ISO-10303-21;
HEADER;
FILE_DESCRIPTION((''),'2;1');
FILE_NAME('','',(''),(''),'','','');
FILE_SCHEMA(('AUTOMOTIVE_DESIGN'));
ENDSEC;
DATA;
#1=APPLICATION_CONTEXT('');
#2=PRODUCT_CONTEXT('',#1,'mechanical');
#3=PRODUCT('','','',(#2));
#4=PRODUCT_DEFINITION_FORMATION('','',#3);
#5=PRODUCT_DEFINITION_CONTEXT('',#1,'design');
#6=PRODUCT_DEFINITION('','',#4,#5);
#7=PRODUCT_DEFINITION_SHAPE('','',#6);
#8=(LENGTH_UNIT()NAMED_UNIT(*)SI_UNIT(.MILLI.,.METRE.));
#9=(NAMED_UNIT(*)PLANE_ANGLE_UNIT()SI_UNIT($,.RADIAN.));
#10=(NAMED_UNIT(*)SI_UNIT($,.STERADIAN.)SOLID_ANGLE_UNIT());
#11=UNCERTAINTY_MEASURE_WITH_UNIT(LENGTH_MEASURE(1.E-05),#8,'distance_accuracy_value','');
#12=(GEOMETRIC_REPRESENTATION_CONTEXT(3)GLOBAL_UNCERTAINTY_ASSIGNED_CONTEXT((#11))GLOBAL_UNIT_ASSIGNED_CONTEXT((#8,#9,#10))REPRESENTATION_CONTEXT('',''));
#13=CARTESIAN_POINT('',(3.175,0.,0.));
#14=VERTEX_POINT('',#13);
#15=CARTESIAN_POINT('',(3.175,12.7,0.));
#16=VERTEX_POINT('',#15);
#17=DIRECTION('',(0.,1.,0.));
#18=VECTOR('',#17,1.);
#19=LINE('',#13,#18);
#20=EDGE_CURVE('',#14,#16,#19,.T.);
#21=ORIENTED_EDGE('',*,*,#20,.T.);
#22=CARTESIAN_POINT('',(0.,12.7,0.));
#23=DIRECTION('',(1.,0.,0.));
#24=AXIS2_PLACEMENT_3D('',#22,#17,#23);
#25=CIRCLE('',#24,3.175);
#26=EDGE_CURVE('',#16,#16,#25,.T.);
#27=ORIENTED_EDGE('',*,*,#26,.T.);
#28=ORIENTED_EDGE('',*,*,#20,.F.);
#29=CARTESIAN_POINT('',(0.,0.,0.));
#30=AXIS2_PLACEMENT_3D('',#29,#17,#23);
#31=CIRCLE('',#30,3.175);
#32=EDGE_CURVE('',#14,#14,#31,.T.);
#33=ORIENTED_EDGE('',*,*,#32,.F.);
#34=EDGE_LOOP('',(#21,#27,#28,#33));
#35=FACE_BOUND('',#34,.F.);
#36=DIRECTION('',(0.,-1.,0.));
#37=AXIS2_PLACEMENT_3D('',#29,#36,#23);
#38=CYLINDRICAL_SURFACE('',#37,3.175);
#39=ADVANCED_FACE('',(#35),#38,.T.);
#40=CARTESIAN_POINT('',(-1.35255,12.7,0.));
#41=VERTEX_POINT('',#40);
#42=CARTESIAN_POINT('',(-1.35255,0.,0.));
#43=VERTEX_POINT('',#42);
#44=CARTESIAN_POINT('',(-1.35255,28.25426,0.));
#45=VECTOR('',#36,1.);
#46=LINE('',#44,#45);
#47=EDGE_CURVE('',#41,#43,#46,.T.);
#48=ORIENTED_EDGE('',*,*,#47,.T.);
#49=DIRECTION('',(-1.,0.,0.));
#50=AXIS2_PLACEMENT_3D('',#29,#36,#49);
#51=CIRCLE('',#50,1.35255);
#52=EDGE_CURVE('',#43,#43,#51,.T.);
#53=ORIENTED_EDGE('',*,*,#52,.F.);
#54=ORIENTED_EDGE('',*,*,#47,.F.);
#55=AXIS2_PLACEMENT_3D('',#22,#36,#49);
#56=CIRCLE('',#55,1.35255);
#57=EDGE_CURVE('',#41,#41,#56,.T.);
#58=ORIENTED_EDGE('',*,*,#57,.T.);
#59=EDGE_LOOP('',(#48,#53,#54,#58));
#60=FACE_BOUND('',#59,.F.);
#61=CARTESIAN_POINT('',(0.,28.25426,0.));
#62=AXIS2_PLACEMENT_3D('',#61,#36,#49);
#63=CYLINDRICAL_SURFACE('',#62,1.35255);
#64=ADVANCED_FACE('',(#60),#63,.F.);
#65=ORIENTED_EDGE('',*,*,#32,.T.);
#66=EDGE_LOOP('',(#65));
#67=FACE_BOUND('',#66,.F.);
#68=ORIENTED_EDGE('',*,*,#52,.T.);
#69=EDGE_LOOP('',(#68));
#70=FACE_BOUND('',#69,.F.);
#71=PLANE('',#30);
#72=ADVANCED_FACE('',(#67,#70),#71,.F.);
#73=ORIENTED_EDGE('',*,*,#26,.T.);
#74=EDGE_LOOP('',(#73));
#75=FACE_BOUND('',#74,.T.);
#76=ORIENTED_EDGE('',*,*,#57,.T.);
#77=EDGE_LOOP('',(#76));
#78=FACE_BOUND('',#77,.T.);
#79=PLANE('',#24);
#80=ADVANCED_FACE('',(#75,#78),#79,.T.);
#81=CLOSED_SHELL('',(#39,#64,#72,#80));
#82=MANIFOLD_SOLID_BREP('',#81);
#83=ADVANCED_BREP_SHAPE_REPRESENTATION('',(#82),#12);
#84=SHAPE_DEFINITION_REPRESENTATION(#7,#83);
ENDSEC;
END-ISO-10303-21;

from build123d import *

# Parameters (mm, degrees)
SKETCH1_R                 = 3.175
BOSS_EXTRUDE1_DEPTH       = 12.7
TAP_DRILL_FOR_6_32_TAP1_D = 2.7051


with BuildPart() as part:
    # Sketch1 → Boss-Extrude1 (new body)
    with BuildSketch(Plane(origin=(0, 0, 0), x_dir=(1, 0, 0), z_dir=(0, 1, 0))):
        Circle(SKETCH1_R)
    extrude(amount=BOSS_EXTRUDE1_DEPTH)

    # Tap Drill for #6-32 Tap1 (through all)
    with Locations(Plane(origin=(0, 12.7, 0), x_dir=(1, 0, 0), z_dir=(0, 1, 0))):
        with Locations((0, 0)):
            Hole(TAP_DRILL_FOR_6_32_TAP1_D / 2)


solid = part.part
